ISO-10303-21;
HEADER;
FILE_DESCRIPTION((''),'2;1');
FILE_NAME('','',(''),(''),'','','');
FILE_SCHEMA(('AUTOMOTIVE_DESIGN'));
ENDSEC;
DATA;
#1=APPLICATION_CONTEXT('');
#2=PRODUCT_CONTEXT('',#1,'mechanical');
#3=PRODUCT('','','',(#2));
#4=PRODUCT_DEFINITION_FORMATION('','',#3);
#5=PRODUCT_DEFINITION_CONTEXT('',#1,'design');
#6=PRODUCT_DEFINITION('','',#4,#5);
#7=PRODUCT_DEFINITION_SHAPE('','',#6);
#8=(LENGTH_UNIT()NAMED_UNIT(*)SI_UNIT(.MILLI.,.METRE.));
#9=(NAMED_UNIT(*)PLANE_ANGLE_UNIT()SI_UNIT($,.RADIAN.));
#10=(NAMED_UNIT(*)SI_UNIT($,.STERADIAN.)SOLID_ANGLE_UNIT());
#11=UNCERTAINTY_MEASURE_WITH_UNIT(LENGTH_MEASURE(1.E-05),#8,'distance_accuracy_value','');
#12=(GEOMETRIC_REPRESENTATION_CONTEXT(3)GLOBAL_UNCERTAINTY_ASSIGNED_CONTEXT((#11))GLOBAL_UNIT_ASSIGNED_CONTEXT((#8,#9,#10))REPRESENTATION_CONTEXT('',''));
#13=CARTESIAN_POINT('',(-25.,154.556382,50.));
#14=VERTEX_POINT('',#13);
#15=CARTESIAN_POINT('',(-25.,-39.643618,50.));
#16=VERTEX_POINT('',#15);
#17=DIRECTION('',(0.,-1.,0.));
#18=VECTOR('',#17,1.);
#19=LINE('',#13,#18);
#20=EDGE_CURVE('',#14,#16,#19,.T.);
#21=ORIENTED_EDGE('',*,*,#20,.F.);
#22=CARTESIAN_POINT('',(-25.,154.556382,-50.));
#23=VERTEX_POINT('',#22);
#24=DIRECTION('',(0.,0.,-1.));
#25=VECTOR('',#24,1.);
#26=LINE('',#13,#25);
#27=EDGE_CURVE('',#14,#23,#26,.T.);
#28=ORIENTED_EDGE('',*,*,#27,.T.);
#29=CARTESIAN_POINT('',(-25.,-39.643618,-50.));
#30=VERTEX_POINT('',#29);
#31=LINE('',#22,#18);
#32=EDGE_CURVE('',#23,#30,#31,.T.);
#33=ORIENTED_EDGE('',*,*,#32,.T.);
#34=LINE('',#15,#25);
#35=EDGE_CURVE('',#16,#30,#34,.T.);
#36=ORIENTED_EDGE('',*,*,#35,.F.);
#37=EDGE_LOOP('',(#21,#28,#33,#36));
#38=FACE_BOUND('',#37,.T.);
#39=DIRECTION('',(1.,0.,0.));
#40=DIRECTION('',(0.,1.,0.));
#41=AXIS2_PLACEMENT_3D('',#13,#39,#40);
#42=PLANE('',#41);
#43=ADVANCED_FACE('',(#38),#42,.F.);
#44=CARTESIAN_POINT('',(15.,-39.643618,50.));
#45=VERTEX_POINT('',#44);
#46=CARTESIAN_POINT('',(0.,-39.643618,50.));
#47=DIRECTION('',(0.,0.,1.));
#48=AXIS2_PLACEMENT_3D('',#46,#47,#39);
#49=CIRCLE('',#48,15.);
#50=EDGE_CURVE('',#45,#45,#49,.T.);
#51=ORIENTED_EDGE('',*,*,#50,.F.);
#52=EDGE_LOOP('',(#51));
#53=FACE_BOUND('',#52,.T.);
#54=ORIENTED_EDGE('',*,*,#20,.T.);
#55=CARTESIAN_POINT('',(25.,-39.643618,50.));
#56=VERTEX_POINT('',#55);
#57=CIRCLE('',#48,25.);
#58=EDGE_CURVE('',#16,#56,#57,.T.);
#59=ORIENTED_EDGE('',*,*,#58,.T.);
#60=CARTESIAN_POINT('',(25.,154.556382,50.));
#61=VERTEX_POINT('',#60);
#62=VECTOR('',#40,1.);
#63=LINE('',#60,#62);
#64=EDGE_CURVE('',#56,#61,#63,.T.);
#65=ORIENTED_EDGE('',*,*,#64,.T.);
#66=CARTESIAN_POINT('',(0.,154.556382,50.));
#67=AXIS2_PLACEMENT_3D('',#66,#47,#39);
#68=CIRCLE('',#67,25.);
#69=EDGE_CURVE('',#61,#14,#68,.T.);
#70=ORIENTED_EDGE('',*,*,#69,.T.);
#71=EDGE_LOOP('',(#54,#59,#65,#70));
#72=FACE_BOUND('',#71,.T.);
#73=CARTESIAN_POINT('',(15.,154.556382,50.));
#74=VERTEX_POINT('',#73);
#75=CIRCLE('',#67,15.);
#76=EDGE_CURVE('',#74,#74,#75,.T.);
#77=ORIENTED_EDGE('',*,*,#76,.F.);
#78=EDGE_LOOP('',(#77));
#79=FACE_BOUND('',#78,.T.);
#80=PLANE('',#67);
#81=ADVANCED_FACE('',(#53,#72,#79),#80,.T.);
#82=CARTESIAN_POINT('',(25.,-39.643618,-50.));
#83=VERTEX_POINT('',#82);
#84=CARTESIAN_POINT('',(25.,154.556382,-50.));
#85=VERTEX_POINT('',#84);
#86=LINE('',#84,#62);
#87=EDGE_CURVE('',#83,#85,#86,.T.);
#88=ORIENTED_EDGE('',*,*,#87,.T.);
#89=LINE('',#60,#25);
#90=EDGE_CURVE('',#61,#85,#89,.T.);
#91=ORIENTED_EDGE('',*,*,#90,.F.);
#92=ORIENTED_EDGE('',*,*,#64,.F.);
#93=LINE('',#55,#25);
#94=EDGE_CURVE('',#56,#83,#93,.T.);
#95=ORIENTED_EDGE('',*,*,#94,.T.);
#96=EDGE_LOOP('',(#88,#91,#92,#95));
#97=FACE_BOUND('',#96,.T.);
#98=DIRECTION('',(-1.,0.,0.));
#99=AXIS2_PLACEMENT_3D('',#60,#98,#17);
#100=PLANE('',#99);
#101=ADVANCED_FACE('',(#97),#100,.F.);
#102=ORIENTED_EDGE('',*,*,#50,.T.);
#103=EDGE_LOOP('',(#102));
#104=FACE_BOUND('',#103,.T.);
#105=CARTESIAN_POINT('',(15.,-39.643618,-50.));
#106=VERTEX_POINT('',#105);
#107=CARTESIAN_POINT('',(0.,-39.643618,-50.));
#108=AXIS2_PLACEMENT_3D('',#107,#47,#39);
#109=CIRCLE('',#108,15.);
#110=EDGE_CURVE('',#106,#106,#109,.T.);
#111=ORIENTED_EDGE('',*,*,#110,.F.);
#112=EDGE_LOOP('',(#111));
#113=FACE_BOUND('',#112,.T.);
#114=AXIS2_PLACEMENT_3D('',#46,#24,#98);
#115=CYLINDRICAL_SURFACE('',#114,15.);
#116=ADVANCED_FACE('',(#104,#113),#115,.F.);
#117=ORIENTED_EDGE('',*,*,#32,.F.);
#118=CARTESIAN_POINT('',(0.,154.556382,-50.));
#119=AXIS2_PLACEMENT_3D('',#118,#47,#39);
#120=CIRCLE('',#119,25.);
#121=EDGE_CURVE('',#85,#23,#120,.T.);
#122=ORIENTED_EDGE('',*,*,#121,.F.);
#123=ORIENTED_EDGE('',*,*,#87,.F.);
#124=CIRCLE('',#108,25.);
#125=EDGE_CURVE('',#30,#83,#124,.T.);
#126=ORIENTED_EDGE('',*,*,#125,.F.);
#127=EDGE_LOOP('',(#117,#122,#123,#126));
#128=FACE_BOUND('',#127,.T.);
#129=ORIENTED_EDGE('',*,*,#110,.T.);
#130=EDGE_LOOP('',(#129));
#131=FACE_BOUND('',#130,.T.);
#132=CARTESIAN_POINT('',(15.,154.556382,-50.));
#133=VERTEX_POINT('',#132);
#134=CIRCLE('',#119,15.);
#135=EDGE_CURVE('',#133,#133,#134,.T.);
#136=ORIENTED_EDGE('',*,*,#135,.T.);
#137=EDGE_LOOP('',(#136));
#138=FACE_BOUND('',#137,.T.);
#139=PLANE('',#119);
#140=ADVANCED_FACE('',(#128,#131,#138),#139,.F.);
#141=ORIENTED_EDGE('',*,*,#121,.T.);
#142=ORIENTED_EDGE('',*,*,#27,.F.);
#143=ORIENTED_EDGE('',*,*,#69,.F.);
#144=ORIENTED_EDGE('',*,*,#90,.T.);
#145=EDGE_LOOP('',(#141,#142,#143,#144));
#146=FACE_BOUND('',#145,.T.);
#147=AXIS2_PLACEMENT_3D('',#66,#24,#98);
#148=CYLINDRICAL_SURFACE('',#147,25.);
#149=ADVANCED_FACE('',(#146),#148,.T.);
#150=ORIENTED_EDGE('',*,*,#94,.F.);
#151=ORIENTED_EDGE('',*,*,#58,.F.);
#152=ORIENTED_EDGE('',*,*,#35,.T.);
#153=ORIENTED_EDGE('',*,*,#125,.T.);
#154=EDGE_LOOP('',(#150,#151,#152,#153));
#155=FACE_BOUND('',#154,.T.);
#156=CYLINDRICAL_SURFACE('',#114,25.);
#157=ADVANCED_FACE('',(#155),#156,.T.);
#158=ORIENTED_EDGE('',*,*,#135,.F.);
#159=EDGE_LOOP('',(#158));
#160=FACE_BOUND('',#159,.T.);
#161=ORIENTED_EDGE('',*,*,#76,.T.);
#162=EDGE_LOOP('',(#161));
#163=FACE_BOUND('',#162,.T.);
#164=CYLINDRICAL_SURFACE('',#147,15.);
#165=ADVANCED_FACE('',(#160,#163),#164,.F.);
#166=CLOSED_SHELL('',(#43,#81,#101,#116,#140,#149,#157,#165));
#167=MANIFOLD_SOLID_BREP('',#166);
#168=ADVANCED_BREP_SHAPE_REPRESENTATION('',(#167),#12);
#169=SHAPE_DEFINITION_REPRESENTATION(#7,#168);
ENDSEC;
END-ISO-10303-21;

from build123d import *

# Parameters (mm, degrees)
SCHIZZO2_R                   = 15
ESTRUSIONE_ESTRUSIONE1_DEPTH = 50


with BuildPart() as part:
    # Schizzo2 → Estrusione-Estrusione1 (new, symmetric)
    with BuildSketch(Plane.XY):
        with BuildLine():
            Line((25, 154.556382451), (25, -39.643617549))
            ThreePointArc((25, -39.643617549), (0, -64.643617549), (-25, -39.643617549))
            Line((-25, -39.643617549), (-25, 154.556382451))
            ThreePointArc((-25, 154.556382451), (0, 179.556382451), (25, 154.556382451))
        make_face()
        with Locations((0, 154.556382451)):
            Circle(SCHIZZO2_R, mode=Mode.SUBTRACT)
        with Locations((0, -39.643617549)):
            Circle(SCHIZZO2_R, mode=Mode.SUBTRACT)
    extrude(amount=ESTRUSIONE_ESTRUSIONE1_DEPTH, both=True)


solid = part.part
